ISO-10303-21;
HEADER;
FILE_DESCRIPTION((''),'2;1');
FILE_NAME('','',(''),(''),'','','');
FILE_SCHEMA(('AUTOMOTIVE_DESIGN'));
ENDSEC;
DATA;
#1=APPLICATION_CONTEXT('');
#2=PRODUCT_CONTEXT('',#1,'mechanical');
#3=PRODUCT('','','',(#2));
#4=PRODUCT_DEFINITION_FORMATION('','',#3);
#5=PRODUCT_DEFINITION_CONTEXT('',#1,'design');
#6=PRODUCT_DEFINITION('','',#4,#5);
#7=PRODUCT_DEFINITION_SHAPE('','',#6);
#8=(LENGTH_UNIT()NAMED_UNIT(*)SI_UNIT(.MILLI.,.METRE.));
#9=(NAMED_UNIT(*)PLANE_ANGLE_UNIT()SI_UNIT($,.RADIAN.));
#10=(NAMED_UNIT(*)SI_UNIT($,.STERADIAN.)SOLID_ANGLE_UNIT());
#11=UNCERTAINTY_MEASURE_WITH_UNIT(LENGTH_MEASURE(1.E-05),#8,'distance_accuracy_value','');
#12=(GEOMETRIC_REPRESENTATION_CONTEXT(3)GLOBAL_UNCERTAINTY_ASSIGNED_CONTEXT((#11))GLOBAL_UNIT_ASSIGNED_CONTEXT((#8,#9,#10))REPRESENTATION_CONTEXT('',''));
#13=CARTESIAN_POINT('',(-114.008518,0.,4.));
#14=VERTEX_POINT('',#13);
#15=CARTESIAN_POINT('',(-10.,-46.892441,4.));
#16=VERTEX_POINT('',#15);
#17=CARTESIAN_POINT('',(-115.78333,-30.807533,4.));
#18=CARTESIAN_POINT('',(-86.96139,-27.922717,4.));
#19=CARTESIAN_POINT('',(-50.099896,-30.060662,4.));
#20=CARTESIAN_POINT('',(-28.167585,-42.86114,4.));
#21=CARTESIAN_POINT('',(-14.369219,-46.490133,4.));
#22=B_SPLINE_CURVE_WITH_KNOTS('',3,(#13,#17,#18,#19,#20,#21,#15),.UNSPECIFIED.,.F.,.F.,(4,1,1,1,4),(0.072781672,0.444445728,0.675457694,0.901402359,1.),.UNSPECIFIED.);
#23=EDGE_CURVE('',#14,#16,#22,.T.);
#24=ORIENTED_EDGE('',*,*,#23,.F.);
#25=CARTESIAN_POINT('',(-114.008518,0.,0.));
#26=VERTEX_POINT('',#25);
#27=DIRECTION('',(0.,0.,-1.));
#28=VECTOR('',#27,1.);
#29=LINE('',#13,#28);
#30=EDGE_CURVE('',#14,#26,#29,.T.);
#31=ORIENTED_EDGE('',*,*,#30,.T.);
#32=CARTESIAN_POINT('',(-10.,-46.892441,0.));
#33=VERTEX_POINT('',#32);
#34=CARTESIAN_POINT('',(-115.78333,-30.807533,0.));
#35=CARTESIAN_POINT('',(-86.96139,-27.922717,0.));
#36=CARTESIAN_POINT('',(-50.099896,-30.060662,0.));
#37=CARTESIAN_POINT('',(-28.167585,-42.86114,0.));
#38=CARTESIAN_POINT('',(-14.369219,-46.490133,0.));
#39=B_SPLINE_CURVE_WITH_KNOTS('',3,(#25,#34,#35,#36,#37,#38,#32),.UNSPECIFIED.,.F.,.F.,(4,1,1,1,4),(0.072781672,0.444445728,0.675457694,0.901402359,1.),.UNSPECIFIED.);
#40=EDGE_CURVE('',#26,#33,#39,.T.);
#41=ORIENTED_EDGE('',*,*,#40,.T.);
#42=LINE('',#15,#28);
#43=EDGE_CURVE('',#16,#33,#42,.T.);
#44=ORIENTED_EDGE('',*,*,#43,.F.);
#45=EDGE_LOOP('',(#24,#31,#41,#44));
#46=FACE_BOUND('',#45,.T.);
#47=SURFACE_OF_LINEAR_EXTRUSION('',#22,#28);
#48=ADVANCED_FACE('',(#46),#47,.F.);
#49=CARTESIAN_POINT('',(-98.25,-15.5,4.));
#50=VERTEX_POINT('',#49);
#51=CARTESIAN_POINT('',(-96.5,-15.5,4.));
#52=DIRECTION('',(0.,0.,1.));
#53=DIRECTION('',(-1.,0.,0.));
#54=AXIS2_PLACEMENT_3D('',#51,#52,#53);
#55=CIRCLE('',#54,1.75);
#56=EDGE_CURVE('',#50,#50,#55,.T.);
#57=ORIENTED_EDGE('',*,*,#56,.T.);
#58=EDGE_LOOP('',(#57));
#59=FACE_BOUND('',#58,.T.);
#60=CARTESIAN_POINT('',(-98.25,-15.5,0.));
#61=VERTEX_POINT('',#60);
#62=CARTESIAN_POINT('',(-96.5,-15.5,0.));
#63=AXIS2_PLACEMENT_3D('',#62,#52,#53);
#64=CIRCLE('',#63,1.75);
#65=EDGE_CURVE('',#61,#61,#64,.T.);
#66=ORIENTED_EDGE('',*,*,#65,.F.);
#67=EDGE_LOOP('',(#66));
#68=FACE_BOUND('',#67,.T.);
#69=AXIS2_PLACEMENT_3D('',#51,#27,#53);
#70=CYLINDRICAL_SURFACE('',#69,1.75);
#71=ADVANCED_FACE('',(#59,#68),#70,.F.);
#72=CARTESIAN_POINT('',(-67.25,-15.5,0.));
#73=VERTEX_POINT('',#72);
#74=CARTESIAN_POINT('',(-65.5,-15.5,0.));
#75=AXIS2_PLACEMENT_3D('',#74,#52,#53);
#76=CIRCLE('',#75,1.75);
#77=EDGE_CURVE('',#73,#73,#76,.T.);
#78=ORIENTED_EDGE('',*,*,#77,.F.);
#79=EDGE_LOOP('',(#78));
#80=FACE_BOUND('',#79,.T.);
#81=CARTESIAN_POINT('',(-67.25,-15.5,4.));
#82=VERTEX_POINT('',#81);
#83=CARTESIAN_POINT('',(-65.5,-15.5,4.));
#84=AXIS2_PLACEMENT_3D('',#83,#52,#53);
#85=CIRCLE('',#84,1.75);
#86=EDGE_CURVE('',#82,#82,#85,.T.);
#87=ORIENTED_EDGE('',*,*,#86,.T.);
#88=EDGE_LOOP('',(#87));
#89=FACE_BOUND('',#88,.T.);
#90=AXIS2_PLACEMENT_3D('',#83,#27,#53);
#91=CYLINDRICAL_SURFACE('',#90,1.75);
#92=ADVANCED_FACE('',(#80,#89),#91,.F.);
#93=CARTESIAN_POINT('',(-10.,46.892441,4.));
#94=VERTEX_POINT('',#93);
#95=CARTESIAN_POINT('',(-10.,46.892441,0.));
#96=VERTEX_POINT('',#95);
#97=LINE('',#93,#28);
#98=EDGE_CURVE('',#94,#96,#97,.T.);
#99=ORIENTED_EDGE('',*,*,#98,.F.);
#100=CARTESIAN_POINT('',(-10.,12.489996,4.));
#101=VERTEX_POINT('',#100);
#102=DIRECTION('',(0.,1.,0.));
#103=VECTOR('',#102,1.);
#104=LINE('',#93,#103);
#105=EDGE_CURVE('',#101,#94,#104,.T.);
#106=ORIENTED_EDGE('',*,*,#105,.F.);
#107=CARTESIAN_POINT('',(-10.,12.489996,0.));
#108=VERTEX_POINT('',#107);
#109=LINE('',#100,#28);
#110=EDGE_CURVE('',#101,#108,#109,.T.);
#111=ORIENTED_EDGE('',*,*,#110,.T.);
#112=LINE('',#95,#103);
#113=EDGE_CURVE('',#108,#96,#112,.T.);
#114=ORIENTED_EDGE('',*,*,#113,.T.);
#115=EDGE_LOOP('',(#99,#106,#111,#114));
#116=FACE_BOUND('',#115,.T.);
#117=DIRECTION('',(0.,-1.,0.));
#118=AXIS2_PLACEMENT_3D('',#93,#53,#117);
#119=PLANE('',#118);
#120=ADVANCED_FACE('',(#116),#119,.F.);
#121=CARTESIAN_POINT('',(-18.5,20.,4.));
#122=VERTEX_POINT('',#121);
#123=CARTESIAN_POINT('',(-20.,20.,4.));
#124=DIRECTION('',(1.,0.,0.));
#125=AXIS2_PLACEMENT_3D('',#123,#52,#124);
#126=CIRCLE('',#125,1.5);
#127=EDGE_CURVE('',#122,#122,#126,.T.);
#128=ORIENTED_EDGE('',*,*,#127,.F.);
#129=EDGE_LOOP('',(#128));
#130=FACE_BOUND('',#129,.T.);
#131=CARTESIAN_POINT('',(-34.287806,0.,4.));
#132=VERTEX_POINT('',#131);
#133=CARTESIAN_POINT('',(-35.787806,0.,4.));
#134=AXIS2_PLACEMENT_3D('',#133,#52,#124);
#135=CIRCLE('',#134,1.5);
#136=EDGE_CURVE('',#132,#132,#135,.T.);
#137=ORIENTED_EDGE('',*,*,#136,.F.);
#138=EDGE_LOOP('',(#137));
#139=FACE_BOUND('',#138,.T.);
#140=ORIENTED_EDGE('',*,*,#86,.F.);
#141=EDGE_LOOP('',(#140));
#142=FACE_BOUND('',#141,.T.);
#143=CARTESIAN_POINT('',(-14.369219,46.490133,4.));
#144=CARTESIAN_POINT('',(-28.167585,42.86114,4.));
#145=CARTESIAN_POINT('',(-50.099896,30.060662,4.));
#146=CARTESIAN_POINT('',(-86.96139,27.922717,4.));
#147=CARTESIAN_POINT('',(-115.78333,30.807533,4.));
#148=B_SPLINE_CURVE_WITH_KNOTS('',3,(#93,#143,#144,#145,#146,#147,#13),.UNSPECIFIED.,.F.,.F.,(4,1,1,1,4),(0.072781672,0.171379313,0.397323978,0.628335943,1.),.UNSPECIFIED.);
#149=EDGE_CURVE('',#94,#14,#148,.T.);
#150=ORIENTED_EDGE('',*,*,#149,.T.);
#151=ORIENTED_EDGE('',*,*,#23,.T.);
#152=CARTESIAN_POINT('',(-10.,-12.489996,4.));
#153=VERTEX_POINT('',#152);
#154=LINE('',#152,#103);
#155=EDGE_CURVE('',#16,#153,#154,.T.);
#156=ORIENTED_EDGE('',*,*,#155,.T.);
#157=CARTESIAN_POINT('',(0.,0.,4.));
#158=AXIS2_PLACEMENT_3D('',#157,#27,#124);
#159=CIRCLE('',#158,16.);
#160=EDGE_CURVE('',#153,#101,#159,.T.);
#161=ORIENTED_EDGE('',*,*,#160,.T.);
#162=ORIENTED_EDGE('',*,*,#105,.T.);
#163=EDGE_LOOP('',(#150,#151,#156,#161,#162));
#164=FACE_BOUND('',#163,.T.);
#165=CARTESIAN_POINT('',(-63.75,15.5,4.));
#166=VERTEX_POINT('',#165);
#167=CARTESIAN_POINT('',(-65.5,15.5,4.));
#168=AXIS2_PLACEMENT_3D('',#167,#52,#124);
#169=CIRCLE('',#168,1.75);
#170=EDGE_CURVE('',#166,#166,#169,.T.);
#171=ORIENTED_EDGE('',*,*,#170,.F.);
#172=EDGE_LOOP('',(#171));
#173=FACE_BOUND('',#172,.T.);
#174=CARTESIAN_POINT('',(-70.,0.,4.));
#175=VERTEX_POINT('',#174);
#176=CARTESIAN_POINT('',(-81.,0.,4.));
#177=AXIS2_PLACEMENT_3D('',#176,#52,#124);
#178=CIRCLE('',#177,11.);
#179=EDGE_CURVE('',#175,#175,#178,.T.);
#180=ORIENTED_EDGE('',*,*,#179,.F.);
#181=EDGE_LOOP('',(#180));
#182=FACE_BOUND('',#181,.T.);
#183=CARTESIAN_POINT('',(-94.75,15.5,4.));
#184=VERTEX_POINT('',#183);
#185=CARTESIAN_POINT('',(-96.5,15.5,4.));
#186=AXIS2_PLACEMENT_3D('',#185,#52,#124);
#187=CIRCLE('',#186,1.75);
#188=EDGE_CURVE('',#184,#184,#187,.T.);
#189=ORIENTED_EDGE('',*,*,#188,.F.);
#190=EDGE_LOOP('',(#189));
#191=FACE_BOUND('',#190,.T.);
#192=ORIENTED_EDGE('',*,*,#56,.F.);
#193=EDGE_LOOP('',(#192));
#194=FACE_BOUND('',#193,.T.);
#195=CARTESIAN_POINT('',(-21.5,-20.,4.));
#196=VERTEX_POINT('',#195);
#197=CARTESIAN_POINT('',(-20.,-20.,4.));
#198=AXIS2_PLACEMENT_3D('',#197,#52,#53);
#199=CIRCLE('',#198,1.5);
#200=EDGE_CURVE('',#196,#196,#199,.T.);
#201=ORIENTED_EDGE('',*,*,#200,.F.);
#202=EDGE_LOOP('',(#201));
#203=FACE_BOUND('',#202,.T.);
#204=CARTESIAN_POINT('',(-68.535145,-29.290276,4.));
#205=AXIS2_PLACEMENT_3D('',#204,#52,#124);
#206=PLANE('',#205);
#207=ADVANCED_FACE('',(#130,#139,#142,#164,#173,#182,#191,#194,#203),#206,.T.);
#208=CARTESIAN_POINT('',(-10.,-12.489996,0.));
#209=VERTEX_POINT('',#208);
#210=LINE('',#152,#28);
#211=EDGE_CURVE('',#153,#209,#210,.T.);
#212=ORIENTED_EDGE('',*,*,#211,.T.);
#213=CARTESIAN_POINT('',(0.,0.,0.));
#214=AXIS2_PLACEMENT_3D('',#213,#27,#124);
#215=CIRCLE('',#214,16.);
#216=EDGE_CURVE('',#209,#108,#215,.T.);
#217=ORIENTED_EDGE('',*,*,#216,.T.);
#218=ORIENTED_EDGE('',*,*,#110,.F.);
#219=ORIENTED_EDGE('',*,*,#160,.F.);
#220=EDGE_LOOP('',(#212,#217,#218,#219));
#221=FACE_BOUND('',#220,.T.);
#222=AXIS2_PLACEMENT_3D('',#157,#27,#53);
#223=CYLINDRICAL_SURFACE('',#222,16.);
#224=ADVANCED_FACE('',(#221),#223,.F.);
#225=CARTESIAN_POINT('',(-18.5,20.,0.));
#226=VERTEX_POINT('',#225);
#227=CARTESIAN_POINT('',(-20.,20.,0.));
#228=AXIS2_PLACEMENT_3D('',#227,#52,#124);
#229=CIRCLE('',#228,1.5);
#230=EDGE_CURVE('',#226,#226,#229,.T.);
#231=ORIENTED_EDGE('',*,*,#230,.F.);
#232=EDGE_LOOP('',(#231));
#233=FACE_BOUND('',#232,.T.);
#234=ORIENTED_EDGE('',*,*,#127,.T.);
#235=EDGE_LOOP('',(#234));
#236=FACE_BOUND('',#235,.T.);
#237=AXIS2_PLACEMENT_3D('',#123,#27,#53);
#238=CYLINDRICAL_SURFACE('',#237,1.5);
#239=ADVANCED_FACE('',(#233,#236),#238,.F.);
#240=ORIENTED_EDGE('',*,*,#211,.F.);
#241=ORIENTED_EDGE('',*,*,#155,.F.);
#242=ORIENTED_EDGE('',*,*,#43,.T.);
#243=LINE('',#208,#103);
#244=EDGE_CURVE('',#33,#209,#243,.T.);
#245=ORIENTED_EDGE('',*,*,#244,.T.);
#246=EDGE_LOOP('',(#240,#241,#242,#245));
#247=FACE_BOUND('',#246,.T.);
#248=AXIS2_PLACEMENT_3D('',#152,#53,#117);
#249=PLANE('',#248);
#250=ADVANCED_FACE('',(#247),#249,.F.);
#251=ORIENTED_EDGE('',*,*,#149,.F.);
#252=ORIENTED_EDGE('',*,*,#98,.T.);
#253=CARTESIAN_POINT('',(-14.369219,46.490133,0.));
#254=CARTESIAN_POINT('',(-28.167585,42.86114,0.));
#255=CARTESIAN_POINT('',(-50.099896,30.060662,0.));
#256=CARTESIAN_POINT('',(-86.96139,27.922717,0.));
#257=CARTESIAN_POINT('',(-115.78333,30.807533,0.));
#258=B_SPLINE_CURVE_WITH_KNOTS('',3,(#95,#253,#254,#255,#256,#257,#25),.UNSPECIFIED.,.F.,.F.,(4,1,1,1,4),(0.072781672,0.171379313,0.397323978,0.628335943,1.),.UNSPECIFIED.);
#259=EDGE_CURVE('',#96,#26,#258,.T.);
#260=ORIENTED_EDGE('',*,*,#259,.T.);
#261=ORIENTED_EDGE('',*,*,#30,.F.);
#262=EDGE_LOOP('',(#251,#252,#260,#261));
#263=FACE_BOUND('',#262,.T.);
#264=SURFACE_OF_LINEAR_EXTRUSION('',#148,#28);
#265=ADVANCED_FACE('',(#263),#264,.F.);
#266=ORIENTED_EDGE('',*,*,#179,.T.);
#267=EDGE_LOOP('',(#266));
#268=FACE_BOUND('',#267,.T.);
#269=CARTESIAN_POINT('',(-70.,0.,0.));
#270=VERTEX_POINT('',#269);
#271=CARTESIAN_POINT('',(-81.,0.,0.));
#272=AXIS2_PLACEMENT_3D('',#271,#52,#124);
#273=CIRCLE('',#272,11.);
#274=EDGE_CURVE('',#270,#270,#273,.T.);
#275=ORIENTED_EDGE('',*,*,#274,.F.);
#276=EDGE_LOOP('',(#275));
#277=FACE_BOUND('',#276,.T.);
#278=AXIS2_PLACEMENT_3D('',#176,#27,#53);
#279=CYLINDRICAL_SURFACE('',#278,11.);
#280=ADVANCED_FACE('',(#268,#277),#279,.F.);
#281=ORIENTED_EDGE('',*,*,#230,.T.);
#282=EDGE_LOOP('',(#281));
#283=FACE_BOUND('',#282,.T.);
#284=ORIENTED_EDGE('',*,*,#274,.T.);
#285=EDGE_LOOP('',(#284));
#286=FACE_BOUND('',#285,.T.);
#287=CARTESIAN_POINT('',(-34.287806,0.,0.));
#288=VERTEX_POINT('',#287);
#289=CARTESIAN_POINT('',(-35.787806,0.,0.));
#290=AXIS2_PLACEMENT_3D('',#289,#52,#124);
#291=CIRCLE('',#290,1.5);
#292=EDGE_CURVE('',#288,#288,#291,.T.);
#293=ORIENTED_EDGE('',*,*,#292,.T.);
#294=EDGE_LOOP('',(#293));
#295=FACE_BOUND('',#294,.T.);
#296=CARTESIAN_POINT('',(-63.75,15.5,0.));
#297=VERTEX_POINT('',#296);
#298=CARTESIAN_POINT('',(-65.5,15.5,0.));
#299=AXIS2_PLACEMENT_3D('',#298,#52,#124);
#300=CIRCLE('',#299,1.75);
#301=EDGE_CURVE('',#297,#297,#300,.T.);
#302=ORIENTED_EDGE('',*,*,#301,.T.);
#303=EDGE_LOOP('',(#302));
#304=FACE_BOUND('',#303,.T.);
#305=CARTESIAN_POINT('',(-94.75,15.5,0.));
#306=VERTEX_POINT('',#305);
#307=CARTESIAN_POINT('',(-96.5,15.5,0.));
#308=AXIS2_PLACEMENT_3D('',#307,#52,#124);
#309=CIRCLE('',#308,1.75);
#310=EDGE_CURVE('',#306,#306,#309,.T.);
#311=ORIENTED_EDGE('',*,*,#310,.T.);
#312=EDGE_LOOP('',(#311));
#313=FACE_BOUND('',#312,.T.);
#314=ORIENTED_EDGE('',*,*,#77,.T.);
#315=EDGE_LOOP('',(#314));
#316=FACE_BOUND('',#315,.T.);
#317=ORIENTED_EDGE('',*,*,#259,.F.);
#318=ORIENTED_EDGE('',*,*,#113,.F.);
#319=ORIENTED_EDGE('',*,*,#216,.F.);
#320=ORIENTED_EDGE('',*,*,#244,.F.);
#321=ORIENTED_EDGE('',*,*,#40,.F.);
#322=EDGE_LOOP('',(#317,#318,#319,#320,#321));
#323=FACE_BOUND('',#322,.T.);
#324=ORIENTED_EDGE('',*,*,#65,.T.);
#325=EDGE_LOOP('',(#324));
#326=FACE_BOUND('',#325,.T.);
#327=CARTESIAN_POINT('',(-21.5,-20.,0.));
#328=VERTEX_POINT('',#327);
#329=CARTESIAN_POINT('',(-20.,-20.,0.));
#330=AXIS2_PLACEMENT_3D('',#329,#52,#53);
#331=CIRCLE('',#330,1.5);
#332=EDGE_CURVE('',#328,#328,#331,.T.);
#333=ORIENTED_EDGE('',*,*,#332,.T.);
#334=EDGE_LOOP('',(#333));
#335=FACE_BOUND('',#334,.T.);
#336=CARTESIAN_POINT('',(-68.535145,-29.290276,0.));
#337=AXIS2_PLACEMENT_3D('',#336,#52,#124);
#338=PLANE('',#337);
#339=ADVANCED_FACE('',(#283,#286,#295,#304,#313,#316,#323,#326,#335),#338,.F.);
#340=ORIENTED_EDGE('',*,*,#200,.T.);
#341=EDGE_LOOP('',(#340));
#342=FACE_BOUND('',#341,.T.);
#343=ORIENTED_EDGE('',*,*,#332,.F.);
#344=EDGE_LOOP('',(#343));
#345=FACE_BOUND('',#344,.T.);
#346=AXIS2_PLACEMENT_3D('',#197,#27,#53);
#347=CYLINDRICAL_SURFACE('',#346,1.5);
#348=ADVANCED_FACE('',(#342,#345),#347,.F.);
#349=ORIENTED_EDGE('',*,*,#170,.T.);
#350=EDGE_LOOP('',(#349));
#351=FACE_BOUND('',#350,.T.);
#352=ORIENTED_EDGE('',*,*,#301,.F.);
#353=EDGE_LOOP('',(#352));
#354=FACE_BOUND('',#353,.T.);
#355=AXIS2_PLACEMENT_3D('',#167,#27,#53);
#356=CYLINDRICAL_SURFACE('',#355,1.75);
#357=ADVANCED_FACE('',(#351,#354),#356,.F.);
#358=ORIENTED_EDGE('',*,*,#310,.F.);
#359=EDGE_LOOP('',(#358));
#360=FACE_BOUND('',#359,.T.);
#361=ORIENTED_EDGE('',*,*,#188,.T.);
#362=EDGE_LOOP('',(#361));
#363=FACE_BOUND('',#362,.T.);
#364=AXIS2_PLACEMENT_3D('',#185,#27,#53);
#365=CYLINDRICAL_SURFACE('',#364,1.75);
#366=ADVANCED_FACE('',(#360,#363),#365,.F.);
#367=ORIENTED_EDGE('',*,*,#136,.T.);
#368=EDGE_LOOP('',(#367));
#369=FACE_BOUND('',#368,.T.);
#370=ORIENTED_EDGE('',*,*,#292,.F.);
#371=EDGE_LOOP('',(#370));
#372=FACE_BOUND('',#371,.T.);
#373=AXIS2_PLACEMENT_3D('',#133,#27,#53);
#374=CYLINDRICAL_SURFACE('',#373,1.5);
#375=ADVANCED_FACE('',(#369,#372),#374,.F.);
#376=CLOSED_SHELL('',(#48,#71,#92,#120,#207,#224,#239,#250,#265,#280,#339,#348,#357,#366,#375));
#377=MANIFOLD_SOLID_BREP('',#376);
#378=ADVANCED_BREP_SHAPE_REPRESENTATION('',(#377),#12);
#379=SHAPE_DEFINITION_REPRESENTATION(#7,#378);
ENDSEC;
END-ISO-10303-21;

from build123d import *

# Parameters (mm, degrees)
SKETCH1_R           = 1.75
SKETCH1_R_2         = 11
SKETCH1_R_3         = 1.5
BOSS_EXTRUDE1_DEPTH = 4


with BuildPart() as part:
    # Sketch1 → Boss-Extrude1 (new body)
    with BuildSketch(Plane.XY):
        with BuildLine():
            Line((-10, -12.489995997), (-10, -46.892440974))
            add(Edge.make_bspline(
                [(-10, -46.892440974), (-14.369218745, -46.490133027), (-28.167584564, -42.861139713), (-50.099896224, -30.060662438), (-86.961390459, -27.922716714), (-115.783330075, -30.807532602), (-114.008518426, 0)],
                knots=[0.072781672, 0.072781672, 0.072781672, 0.072781672, 0.171379313, 0.397323978, 0.628335943, 1, 1, 1, 1], degree=3))
            add(Edge.make_bspline(
                [(-10, 46.892440974), (-14.369218745, 46.490133027), (-28.167584564, 42.861139713), (-50.099896224, 30.060662438), (-86.961390459, 27.922716714), (-115.783330075, 30.807532602), (-114.008518426, 0)],
                knots=[0.072781672, 0.072781672, 0.072781672, 0.072781672, 0.171379313, 0.397323978, 0.628335943, 1, 1, 1, 1], degree=3))
            Line((-10, 46.892440974), (-10, 12.489995997))
            ThreePointArc((-10, 12.489995997), (-16, 0), (-10, -12.489995997))
        make_face()
        with Locations((-96.5, 15.5)):
            Circle(SKETCH1_R, mode=Mode.SUBTRACT)
        with Locations((-65.5, 15.5)):
            Circle(SKETCH1_R, mode=Mode.SUBTRACT)
        with Locations(Location((-65.5, -15.5, 0), (0, 0, 180))):
            Circle(SKETCH1_R, mode=Mode.SUBTRACT)
        with Locations(Location((-96.5, -15.5, 0), (0, 0, 180))):
            Circle(SKETCH1_R, mode=Mode.SUBTRACT)
        with Locations((-81, 0)):
            Circle(SKETCH1_R_2, mode=Mode.SUBTRACT)
        with Locations((-35.787805635, 0)):
            Circle(SKETCH1_R_3, mode=Mode.SUBTRACT)
        with Locations((-20, 20)):
            Circle(SKETCH1_R_3, mode=Mode.SUBTRACT)
        with Locations(Location((-20, -20, 0), (0, 0, 180))):
            Circle(SKETCH1_R_3, mode=Mode.SUBTRACT)
    extrude(amount=BOSS_EXTRUDE1_DEPTH)


solid = part.part
